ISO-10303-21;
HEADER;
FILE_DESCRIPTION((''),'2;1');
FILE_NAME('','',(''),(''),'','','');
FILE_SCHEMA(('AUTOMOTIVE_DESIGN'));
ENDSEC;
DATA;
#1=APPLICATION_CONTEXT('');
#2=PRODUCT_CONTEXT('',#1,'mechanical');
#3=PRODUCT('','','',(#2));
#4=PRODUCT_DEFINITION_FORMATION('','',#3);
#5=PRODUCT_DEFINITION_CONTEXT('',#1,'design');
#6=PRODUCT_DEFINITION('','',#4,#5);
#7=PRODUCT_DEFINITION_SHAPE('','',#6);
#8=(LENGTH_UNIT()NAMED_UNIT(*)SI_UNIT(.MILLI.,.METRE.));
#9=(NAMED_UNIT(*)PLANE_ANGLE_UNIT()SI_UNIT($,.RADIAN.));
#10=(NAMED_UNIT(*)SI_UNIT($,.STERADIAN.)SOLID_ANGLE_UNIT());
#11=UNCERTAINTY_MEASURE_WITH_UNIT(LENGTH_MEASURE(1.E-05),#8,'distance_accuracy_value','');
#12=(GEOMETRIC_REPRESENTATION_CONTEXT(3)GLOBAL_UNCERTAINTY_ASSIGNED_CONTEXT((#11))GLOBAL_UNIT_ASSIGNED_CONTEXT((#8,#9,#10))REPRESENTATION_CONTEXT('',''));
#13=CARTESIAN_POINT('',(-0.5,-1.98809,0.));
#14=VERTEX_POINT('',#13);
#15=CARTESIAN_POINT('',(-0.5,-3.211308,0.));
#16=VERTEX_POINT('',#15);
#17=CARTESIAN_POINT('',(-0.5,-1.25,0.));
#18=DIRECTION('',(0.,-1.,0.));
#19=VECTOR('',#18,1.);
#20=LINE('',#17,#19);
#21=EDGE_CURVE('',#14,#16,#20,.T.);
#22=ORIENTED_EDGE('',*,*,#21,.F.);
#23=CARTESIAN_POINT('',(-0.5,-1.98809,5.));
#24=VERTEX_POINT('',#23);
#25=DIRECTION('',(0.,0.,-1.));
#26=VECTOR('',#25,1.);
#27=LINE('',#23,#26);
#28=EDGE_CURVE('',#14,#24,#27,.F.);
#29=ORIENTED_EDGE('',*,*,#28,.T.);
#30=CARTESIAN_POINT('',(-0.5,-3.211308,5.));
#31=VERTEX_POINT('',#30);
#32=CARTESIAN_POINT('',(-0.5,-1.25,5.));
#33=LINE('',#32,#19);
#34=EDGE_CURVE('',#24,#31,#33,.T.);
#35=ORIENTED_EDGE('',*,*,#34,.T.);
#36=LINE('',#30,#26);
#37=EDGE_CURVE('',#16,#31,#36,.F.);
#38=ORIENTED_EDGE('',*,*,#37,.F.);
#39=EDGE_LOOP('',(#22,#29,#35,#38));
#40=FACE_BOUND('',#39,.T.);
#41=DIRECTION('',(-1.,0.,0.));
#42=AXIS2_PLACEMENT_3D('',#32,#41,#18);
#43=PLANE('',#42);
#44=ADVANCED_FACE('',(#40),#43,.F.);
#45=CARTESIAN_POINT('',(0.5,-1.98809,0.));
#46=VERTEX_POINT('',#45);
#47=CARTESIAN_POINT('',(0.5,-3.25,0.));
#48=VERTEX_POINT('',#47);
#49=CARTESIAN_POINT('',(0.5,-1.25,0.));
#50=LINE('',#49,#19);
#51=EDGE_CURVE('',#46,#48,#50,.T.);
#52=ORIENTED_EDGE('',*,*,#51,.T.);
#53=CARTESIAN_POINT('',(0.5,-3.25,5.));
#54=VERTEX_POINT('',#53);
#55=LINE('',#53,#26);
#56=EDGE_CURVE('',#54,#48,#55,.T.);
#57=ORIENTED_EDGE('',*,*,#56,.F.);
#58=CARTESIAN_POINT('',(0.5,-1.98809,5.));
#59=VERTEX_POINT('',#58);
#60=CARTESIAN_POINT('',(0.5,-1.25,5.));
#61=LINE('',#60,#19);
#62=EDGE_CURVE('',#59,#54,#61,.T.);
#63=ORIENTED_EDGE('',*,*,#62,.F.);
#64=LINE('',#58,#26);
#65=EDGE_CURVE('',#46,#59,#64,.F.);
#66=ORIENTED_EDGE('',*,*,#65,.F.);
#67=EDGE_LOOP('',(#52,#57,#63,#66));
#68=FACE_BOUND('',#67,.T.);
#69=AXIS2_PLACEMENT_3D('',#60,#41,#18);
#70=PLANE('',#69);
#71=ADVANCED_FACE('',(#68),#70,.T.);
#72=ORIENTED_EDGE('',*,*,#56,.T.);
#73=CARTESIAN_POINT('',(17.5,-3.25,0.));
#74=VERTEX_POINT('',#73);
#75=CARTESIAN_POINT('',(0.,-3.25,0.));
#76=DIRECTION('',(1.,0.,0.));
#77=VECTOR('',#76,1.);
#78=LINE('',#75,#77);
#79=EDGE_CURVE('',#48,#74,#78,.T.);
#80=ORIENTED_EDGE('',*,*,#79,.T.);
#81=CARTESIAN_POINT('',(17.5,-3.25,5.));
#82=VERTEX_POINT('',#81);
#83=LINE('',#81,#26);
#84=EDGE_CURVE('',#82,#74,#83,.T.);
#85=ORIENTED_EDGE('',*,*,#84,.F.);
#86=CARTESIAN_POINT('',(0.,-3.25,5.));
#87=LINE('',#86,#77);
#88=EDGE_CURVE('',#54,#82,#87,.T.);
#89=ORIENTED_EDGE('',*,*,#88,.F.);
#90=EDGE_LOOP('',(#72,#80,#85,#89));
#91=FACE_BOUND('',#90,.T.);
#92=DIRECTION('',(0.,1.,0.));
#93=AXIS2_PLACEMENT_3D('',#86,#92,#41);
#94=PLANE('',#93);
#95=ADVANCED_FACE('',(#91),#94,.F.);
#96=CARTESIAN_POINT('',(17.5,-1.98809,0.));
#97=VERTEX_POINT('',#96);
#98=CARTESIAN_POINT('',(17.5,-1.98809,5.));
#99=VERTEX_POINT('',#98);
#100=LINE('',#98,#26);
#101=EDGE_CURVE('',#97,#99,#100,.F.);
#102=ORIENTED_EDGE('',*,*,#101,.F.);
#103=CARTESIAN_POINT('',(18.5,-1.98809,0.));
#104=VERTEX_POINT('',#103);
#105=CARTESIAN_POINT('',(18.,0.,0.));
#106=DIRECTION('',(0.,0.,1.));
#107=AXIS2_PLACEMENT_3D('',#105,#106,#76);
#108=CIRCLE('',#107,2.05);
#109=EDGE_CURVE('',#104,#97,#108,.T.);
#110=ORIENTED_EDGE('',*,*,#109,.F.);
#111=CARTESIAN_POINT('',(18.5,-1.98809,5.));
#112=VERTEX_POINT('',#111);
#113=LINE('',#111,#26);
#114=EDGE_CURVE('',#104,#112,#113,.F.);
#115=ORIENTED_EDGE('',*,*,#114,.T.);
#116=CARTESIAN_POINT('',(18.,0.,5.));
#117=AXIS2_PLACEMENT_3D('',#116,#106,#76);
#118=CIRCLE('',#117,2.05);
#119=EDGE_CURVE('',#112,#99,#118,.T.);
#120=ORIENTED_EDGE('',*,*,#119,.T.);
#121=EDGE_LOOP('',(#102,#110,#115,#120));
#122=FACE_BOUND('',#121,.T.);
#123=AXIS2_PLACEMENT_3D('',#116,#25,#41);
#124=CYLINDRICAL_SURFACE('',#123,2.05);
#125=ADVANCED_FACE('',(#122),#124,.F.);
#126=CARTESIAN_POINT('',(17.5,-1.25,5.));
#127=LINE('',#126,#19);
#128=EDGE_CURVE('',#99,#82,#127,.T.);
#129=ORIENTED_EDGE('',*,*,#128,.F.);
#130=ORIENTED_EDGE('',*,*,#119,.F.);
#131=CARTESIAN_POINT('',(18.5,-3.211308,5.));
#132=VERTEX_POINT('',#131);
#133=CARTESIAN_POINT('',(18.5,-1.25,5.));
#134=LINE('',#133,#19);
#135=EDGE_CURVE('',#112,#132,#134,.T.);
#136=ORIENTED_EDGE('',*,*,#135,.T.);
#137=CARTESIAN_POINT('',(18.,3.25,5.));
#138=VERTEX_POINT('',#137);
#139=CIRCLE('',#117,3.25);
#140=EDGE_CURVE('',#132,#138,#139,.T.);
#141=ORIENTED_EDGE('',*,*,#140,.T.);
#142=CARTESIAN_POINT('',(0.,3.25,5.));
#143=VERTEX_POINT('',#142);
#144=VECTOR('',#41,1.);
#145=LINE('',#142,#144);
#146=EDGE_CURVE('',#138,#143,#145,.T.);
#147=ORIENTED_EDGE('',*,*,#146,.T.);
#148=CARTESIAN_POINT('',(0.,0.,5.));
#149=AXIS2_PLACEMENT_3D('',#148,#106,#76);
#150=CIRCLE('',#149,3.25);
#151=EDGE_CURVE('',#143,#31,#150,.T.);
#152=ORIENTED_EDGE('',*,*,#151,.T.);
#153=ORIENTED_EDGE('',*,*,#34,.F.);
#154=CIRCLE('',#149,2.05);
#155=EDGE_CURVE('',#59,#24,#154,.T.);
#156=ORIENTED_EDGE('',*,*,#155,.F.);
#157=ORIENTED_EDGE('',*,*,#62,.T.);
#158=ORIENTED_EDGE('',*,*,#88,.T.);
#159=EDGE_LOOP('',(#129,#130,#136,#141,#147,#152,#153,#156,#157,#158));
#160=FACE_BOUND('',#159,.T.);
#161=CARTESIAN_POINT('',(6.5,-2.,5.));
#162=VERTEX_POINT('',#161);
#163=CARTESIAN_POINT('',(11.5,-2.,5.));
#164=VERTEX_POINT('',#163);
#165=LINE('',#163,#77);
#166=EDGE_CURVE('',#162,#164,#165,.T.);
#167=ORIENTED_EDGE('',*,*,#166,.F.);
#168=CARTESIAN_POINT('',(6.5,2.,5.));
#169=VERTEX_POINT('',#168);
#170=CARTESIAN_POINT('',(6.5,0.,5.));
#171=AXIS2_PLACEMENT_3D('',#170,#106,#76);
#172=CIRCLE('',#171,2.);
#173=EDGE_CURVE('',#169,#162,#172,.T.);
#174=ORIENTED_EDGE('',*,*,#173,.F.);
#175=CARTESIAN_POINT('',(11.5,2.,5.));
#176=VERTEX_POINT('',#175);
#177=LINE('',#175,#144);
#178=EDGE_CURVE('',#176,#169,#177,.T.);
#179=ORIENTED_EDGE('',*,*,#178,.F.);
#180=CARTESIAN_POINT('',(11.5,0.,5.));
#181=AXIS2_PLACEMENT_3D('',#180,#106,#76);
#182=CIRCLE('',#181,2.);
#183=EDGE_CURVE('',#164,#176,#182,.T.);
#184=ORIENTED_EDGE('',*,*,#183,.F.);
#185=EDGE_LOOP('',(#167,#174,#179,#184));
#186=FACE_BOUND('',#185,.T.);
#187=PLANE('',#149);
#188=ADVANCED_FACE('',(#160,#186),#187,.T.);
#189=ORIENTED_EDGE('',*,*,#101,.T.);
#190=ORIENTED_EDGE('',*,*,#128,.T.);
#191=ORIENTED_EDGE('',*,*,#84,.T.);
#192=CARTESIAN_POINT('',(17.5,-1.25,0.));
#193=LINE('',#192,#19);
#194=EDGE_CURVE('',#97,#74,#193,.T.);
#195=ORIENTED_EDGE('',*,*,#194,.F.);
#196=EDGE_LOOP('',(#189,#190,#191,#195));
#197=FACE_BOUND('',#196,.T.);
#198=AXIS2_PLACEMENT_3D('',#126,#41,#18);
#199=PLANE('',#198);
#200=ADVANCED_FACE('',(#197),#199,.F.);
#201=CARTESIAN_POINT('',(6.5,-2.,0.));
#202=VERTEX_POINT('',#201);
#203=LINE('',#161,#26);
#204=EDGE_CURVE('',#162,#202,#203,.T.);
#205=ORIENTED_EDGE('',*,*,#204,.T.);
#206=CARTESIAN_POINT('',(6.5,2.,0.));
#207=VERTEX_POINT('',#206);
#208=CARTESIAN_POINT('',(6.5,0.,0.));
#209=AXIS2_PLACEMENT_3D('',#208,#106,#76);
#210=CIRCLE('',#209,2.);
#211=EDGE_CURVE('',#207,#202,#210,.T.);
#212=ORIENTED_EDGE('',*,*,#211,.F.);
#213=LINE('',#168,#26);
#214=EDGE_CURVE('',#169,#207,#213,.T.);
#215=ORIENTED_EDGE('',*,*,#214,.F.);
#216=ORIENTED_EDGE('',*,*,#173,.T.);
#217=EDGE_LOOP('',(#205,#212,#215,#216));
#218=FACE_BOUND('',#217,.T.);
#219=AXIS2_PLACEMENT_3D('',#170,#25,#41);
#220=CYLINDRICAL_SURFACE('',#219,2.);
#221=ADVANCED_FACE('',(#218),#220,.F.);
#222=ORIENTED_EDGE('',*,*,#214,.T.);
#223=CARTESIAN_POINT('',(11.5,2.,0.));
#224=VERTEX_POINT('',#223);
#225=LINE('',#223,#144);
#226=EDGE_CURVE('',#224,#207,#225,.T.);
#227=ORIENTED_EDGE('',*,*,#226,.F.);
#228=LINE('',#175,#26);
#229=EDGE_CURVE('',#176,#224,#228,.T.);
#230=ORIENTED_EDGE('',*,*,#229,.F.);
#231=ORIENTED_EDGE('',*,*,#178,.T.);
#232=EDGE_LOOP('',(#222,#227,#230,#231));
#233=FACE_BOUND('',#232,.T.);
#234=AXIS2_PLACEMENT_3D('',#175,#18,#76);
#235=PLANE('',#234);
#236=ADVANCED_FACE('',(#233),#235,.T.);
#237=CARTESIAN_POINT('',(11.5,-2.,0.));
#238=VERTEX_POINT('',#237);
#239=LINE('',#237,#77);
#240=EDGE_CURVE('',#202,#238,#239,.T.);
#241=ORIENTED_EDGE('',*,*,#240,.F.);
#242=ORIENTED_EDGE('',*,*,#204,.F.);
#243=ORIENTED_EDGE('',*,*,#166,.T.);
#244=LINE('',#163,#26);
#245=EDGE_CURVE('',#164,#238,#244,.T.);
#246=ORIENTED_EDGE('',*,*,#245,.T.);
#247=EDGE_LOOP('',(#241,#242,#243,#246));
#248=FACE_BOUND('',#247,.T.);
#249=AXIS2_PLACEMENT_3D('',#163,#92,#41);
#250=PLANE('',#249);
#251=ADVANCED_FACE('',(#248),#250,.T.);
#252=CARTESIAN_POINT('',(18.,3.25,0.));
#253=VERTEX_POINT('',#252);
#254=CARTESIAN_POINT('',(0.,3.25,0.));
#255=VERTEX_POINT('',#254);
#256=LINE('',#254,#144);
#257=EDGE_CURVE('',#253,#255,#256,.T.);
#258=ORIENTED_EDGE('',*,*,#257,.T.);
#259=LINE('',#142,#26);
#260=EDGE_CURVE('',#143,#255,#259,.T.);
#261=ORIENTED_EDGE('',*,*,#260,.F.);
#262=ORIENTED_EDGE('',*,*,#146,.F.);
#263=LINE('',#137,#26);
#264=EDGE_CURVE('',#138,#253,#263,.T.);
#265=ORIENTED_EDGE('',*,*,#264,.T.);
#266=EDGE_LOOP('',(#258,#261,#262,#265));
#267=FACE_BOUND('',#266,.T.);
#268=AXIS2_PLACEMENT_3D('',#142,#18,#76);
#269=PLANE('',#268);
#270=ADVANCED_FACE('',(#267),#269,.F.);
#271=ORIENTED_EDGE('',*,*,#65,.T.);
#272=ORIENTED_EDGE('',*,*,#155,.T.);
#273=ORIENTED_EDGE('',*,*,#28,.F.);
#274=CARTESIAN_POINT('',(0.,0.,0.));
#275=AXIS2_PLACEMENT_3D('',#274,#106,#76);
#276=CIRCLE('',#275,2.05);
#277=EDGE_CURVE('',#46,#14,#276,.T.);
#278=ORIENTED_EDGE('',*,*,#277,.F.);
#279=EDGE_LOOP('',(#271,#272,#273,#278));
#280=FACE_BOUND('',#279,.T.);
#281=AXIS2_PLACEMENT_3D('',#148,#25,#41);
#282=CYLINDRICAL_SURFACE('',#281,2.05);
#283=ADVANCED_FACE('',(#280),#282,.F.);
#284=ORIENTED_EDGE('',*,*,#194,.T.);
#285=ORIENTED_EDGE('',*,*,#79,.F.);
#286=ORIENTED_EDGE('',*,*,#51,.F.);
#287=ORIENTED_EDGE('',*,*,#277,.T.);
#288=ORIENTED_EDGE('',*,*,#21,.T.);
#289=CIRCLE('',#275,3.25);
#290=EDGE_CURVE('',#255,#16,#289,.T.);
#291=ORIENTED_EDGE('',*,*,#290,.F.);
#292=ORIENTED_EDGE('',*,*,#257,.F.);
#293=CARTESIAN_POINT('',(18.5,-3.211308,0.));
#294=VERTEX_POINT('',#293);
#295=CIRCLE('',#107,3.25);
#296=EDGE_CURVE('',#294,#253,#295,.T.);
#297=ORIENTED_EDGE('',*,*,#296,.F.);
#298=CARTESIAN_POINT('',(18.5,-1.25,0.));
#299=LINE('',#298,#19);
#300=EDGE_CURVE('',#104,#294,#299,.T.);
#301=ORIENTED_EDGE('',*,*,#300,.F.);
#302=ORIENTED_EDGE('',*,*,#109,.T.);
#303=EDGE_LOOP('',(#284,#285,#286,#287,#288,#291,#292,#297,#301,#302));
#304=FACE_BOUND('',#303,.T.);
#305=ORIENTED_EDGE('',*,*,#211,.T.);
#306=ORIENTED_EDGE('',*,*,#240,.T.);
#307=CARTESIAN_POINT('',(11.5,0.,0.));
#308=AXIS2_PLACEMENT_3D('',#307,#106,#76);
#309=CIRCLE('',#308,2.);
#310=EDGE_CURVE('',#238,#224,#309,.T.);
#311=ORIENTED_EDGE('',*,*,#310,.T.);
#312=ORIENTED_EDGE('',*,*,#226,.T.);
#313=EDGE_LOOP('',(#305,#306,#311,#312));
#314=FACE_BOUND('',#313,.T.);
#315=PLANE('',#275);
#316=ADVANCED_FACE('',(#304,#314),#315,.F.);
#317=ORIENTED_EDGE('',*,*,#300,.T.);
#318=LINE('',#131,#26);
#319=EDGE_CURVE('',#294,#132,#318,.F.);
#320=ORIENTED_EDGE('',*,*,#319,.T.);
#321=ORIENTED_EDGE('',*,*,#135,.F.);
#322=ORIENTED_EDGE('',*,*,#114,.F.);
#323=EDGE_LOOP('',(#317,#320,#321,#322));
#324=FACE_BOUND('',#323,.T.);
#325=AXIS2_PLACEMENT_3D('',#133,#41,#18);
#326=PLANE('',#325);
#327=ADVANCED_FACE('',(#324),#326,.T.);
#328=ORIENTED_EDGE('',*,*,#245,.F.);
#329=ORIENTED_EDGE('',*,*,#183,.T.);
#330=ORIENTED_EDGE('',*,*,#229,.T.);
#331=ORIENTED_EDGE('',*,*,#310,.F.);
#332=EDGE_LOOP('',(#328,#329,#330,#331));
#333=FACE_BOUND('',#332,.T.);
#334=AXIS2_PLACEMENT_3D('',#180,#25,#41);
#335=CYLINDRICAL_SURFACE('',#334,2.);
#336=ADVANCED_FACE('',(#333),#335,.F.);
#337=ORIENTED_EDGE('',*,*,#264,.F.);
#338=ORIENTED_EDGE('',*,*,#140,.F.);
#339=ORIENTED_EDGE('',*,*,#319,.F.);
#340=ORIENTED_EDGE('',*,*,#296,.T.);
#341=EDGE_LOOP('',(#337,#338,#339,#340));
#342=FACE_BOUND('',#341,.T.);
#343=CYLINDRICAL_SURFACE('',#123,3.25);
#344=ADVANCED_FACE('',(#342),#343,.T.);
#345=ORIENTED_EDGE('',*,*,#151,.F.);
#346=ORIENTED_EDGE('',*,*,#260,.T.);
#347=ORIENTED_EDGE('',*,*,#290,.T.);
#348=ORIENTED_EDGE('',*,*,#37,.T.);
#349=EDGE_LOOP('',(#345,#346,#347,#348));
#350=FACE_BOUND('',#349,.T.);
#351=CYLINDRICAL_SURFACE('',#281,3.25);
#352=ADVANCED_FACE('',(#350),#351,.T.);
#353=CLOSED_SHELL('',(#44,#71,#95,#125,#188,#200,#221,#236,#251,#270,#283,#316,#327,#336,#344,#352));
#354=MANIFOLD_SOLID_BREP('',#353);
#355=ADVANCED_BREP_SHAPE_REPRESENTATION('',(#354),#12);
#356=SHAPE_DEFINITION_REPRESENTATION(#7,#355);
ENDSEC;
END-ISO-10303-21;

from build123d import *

# Parameters (mm, degrees)
SKETCH1_R               = 2.05
BOSS_EXTRUDE1_DEPTH     = 5
SKETCH2_W               = 1
SKETCH2_H               = 5
CUT_EXTRUDE_THIN1_DEPTH = 2


with BuildPart() as part:
    # Sketch1 → Boss-Extrude1 (new body)
    with BuildSketch(Plane.XY):
        with BuildLine():
            Line((0, 3.25), (18, 3.25))
            ThreePointArc((18, 3.25), (21.25, 0), (18, -3.25))
            Line((18, -3.25), (0, -3.25))
            ThreePointArc((0, -3.25), (-3.25, 0), (0, 3.25))
        make_face()
        Circle(SKETCH1_R, mode=Mode.SUBTRACT)
        with Locations((18, 0)):
            Circle(SKETCH1_R, mode=Mode.SUBTRACT)
        with BuildLine():
            Line((11.5, -2), (6.5, -2))
            ThreePointArc((6.5, -2), (4.5, 0), (6.5, 2))
            Line((6.5, 2), (11.5, 2))
            ThreePointArc((11.5, 2), (13.5, 0), (11.5, -2))
        make_face(mode=Mode.SUBTRACT)
    extrude(amount=BOSS_EXTRUDE1_DEPTH)

    # Sketch2 → Cut-Extrude-Thin1 (cut)
    with BuildSketch(Plane(origin=(0, -3.25, 0), x_dir=(-1, 0, 0), z_dir=(0, -1, 0))):
        with Locations((0, -2.5)):
            Rectangle(SKETCH2_W, SKETCH2_H)
        with Locations((-18, -2.5)):
            Rectangle(SKETCH2_W, SKETCH2_H)
    extrude(amount=-CUT_EXTRUDE_THIN1_DEPTH, mode=Mode.SUBTRACT)


solid = part.part
